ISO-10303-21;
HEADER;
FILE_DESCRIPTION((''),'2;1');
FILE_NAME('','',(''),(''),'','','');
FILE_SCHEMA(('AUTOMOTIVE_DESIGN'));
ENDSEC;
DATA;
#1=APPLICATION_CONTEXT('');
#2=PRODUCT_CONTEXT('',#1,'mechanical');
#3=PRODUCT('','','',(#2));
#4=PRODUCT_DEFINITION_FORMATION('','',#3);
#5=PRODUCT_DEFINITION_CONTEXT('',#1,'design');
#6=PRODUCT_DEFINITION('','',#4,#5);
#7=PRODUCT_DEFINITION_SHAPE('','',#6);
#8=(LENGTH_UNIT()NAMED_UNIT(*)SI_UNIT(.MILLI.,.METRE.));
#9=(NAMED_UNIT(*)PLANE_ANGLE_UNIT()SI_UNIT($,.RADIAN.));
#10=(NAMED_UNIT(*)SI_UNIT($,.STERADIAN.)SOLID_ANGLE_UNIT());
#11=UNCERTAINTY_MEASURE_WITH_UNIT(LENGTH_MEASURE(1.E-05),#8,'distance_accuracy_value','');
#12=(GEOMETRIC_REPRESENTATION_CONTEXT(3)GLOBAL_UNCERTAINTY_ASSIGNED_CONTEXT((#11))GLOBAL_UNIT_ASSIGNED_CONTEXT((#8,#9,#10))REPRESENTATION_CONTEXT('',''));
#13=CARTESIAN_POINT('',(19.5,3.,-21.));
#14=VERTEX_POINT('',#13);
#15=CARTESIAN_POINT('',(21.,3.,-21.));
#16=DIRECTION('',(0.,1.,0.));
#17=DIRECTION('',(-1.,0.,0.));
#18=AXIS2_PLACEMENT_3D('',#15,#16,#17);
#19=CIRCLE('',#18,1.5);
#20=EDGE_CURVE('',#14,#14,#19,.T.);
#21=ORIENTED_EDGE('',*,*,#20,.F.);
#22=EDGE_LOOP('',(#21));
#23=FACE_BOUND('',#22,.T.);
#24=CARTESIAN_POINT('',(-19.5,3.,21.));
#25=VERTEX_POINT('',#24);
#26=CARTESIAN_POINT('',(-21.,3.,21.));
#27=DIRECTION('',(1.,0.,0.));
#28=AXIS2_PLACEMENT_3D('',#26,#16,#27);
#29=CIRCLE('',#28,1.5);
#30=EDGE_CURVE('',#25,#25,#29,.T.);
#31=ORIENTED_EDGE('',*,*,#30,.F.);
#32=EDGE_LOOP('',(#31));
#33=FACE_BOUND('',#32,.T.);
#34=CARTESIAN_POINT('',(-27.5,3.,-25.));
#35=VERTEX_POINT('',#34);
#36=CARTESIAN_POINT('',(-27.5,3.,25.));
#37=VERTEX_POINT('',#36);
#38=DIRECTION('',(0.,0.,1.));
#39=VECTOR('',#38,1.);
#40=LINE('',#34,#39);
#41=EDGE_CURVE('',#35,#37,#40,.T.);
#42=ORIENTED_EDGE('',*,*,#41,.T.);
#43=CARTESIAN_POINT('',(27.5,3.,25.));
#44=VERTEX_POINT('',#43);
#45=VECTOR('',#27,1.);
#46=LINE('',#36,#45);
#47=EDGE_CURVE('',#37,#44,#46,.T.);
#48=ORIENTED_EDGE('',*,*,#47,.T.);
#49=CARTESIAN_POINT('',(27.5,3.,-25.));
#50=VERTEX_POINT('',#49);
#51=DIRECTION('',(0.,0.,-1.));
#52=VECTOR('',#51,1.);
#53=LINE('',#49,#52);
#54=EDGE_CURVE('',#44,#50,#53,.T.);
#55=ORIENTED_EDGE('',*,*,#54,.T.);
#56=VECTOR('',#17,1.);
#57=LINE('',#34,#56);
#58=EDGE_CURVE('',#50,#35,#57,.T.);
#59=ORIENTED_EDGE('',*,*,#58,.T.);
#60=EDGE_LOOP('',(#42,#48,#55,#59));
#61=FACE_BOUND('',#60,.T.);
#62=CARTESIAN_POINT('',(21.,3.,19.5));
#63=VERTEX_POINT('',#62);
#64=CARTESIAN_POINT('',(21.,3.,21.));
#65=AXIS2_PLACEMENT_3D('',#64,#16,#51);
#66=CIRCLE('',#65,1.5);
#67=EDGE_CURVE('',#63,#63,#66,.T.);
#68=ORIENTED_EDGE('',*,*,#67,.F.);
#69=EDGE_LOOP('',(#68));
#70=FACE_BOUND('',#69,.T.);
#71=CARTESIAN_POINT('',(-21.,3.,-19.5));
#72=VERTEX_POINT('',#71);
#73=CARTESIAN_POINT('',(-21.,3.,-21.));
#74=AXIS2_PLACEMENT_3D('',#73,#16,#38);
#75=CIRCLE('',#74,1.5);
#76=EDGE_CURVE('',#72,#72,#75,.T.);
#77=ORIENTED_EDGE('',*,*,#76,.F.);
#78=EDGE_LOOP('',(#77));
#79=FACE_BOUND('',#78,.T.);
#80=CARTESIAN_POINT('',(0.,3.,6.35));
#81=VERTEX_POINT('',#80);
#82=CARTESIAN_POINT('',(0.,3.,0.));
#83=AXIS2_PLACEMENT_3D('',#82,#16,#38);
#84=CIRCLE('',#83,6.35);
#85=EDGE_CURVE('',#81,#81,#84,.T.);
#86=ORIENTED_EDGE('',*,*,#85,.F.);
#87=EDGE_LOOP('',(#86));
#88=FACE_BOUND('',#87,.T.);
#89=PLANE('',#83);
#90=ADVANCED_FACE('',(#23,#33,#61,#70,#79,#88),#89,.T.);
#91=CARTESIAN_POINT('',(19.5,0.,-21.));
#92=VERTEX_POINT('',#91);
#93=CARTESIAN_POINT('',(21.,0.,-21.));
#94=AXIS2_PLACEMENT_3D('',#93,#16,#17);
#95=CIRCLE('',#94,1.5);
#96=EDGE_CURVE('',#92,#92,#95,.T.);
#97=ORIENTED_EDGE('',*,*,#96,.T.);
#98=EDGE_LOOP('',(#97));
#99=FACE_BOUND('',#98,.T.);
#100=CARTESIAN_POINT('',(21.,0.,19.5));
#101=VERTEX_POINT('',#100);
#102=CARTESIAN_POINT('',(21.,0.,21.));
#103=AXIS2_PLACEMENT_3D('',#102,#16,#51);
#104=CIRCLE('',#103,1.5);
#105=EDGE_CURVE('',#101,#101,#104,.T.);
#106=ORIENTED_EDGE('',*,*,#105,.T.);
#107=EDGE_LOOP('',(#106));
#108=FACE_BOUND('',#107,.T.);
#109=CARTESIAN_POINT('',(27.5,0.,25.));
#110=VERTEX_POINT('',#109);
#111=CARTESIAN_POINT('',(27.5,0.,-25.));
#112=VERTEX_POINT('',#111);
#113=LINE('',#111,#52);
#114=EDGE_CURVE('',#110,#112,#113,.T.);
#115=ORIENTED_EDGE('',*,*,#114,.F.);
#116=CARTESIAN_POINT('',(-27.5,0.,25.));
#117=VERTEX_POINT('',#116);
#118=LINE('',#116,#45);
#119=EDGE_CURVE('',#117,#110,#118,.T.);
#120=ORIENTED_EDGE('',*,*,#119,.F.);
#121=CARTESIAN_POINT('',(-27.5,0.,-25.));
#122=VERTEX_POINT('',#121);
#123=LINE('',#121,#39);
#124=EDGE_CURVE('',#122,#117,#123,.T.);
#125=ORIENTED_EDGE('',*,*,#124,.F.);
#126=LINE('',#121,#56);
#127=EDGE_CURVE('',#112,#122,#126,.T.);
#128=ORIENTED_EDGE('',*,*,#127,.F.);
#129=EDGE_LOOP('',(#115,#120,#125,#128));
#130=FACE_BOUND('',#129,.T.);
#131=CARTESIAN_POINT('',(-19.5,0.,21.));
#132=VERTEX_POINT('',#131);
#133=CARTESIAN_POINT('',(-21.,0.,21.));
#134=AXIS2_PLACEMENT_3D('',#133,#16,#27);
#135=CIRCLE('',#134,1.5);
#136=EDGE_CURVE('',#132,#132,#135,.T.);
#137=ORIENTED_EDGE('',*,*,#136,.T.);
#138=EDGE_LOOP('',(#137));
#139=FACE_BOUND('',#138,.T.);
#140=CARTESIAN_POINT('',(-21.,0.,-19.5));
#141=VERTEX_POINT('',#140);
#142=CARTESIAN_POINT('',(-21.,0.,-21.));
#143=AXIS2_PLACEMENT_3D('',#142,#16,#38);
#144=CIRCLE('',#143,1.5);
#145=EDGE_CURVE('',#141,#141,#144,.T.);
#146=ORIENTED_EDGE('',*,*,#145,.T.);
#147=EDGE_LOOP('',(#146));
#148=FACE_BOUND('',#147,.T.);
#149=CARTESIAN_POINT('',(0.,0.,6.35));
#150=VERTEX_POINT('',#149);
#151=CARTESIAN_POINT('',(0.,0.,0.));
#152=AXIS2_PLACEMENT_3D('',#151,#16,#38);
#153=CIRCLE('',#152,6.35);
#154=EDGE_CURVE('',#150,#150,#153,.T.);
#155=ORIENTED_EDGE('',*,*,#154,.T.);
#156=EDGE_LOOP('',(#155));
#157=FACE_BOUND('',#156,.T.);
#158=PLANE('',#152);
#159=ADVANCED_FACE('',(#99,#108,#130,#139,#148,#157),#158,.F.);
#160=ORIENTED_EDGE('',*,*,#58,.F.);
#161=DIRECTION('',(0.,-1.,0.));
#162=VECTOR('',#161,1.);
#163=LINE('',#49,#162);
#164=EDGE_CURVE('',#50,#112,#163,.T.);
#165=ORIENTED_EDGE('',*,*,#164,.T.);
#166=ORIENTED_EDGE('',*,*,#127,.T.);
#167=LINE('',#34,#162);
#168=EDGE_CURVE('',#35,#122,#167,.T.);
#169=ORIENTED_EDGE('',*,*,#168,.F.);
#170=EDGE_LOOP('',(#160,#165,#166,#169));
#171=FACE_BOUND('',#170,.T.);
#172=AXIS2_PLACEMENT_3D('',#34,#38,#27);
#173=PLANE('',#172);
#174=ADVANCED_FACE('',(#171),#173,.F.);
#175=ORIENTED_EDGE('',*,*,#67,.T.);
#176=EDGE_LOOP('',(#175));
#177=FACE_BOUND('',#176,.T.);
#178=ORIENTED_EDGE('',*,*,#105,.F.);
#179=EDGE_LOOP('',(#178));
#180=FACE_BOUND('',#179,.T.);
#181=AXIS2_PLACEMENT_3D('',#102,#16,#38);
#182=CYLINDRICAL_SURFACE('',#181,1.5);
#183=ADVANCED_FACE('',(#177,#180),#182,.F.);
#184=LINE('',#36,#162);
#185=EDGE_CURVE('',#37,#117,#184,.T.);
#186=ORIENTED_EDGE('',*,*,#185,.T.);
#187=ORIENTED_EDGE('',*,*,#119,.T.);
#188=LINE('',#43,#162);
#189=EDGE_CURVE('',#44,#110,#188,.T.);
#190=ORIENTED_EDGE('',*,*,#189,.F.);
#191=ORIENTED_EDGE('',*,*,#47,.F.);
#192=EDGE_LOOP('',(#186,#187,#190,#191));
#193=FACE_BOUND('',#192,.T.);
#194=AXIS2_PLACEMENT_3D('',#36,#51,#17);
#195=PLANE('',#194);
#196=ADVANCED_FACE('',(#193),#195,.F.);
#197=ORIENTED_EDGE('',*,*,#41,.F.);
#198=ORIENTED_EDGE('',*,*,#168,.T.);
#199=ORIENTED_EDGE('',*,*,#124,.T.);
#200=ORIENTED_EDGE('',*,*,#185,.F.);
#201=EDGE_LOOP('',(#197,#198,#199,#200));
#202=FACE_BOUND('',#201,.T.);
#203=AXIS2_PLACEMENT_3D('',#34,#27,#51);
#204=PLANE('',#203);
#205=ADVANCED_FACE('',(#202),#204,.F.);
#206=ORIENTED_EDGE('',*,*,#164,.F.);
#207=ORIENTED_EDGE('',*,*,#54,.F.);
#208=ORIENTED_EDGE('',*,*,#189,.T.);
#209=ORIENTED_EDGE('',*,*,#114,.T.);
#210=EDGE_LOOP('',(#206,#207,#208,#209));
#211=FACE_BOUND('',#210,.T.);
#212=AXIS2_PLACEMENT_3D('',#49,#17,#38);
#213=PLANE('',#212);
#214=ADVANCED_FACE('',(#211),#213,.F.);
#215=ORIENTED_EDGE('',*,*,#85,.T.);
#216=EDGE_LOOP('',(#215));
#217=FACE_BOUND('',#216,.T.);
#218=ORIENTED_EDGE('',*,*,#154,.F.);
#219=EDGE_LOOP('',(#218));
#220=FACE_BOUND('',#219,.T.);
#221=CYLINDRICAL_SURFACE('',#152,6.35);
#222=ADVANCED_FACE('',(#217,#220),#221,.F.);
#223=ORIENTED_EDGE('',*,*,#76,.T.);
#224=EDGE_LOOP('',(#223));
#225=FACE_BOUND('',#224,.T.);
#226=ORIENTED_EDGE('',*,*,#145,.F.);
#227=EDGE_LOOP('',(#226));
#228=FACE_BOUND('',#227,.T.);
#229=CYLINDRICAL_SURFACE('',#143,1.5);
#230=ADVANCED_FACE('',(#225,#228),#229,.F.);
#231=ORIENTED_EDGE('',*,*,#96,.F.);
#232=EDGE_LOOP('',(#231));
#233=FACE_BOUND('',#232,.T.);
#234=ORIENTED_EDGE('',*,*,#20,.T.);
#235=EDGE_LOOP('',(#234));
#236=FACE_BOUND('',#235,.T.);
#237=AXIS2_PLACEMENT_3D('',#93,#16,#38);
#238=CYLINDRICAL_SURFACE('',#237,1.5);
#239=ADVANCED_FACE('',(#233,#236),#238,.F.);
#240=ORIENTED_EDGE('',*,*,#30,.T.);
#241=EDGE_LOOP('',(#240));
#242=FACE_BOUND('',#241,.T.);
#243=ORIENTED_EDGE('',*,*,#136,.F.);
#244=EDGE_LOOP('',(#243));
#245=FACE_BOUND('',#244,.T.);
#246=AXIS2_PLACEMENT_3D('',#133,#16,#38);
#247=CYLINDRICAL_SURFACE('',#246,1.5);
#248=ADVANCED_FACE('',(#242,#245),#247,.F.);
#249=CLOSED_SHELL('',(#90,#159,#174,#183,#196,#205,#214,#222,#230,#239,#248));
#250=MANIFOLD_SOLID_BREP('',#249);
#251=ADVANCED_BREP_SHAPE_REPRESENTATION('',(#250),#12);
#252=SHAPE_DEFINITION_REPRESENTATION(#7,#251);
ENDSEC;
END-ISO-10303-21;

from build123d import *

# Parameters (mm, degrees)
SKETCH1_W           = 55
SKETCH1_H           = 50
BOSS_EXTRUDE1_DEPTH = 3
SKETCH2_R           = 6.35
CUT_EXTRUDE1_DEPTH  = 38.286056375
SKETCH3_R           = 1.5
CUT_EXTRUDE2_DEPTH  = 38.286056375
CIRPATTERN1_COUNT   = 4


with BuildPart() as part:
    # Sketch1 → Boss-Extrude1 (new body)
    with BuildSketch(Plane(origin=(0, 0, 0), x_dir=(1, 0, 0), z_dir=(0, 1, 0))):
        Rectangle(SKETCH1_W, SKETCH1_H)
    extrude(amount=BOSS_EXTRUDE1_DEPTH)

    # Sketch2 → Cut-Extrude1 (cut, through all)
    with BuildSketch(Plane(origin=(0, 3, 0), x_dir=(1, 0, 0), z_dir=(0, 1, 0))):
        with Locations(Location((0, 0, 0), (0, 0, 270))):
            Circle(SKETCH2_R)
    extrude(amount=-CUT_EXTRUDE1_DEPTH, mode=Mode.SUBTRACT)

    # Sketch3 → Cut-Extrude2 (cut, through all)
    with BuildSketch(Plane(origin=(0, 3, 0), x_dir=(1, 0, 0), z_dir=(0, 1, 0))):
        with Locations(Location((-21, 21, 0), (0, 0, 270))):
            Circle(SKETCH3_R)
    cut_extrude2 = extrude(amount=-CUT_EXTRUDE2_DEPTH, mode=Mode.SUBTRACT)

    # CirPattern1: Cut-Extrude2 ×4 about axis
    cirpattern1_axis = Axis((0, 0, 0), (0, 1, 0))
    for i in range(1, CIRPATTERN1_COUNT):
        add(cut_extrude2.rotate(cirpattern1_axis, i * 360 / CIRPATTERN1_COUNT), mode=Mode.SUBTRACT)


solid = part.part
